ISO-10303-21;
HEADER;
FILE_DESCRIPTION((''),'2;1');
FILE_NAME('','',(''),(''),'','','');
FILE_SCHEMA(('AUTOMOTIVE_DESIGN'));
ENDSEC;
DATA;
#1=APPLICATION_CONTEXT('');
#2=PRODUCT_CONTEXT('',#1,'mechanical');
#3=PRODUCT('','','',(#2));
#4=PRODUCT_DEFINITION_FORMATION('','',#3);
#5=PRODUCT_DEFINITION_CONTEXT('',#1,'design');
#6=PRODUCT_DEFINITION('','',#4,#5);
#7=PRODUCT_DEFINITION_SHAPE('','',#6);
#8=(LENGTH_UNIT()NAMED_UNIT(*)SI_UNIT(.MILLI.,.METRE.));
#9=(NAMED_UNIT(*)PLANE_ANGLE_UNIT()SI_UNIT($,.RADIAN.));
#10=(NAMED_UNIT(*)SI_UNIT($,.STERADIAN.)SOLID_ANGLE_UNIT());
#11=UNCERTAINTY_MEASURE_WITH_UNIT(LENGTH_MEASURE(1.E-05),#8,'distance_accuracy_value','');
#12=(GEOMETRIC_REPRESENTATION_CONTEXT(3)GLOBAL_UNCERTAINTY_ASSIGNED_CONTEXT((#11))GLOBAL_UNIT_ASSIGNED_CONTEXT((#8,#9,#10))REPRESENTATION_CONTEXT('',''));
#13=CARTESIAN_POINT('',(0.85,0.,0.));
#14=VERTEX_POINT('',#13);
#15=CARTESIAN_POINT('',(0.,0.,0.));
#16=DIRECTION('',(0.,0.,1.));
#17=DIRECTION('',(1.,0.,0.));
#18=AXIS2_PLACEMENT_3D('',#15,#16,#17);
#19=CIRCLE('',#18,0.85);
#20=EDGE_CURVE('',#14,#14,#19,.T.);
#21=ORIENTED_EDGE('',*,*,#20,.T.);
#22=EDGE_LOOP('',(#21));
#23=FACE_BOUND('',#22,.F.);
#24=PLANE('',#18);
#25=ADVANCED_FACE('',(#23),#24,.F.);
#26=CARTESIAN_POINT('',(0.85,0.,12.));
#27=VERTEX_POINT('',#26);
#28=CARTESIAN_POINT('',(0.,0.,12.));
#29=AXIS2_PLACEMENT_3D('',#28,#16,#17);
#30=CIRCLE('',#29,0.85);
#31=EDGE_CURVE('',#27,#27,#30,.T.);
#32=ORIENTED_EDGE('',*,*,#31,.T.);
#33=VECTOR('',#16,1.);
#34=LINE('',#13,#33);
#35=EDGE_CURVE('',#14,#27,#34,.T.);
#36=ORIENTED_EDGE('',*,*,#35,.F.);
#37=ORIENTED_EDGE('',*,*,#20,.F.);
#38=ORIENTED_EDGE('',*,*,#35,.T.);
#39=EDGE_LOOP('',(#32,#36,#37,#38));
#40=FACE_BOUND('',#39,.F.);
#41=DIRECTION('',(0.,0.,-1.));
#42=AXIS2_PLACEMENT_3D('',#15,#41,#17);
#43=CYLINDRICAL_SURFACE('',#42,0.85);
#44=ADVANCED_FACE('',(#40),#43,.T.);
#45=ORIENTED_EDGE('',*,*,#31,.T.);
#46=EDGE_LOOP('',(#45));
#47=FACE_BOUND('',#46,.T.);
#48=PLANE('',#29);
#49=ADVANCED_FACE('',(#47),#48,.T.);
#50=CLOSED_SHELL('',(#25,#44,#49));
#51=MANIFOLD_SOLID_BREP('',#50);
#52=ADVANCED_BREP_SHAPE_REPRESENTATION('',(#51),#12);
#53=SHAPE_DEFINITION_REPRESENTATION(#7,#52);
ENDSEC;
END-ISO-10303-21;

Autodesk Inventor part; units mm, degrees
ref_plane "YZ Plane" through (0, 0, 0) normal (1, 0, 0) x (0, 1, 0)
ref_plane "XZ Plane" through (0, 0, 0) normal (0, 1, 0) x (-1, 0, 0)
ref_plane "XY Plane" through (0, 0, 0) normal (0, 0, 1) x (1, 0, 0)
sketch "Sketch1" plane through (0, 0, 0) normal (0, 0, 1) x (1, 0, 0)
  line L0 (0, 1.19) -> (0, -1.19) construction
  line L1 (-1.19, 0) -> (1.19, 0) construction
  circle A0 centre (0, 0) radius 0.85
  dimension "d4" = 1.7
extrude "Extrusion3" add sketch "Sketch1" along normal blind 12
properties part number "17-0028-0105" material "Copper"
